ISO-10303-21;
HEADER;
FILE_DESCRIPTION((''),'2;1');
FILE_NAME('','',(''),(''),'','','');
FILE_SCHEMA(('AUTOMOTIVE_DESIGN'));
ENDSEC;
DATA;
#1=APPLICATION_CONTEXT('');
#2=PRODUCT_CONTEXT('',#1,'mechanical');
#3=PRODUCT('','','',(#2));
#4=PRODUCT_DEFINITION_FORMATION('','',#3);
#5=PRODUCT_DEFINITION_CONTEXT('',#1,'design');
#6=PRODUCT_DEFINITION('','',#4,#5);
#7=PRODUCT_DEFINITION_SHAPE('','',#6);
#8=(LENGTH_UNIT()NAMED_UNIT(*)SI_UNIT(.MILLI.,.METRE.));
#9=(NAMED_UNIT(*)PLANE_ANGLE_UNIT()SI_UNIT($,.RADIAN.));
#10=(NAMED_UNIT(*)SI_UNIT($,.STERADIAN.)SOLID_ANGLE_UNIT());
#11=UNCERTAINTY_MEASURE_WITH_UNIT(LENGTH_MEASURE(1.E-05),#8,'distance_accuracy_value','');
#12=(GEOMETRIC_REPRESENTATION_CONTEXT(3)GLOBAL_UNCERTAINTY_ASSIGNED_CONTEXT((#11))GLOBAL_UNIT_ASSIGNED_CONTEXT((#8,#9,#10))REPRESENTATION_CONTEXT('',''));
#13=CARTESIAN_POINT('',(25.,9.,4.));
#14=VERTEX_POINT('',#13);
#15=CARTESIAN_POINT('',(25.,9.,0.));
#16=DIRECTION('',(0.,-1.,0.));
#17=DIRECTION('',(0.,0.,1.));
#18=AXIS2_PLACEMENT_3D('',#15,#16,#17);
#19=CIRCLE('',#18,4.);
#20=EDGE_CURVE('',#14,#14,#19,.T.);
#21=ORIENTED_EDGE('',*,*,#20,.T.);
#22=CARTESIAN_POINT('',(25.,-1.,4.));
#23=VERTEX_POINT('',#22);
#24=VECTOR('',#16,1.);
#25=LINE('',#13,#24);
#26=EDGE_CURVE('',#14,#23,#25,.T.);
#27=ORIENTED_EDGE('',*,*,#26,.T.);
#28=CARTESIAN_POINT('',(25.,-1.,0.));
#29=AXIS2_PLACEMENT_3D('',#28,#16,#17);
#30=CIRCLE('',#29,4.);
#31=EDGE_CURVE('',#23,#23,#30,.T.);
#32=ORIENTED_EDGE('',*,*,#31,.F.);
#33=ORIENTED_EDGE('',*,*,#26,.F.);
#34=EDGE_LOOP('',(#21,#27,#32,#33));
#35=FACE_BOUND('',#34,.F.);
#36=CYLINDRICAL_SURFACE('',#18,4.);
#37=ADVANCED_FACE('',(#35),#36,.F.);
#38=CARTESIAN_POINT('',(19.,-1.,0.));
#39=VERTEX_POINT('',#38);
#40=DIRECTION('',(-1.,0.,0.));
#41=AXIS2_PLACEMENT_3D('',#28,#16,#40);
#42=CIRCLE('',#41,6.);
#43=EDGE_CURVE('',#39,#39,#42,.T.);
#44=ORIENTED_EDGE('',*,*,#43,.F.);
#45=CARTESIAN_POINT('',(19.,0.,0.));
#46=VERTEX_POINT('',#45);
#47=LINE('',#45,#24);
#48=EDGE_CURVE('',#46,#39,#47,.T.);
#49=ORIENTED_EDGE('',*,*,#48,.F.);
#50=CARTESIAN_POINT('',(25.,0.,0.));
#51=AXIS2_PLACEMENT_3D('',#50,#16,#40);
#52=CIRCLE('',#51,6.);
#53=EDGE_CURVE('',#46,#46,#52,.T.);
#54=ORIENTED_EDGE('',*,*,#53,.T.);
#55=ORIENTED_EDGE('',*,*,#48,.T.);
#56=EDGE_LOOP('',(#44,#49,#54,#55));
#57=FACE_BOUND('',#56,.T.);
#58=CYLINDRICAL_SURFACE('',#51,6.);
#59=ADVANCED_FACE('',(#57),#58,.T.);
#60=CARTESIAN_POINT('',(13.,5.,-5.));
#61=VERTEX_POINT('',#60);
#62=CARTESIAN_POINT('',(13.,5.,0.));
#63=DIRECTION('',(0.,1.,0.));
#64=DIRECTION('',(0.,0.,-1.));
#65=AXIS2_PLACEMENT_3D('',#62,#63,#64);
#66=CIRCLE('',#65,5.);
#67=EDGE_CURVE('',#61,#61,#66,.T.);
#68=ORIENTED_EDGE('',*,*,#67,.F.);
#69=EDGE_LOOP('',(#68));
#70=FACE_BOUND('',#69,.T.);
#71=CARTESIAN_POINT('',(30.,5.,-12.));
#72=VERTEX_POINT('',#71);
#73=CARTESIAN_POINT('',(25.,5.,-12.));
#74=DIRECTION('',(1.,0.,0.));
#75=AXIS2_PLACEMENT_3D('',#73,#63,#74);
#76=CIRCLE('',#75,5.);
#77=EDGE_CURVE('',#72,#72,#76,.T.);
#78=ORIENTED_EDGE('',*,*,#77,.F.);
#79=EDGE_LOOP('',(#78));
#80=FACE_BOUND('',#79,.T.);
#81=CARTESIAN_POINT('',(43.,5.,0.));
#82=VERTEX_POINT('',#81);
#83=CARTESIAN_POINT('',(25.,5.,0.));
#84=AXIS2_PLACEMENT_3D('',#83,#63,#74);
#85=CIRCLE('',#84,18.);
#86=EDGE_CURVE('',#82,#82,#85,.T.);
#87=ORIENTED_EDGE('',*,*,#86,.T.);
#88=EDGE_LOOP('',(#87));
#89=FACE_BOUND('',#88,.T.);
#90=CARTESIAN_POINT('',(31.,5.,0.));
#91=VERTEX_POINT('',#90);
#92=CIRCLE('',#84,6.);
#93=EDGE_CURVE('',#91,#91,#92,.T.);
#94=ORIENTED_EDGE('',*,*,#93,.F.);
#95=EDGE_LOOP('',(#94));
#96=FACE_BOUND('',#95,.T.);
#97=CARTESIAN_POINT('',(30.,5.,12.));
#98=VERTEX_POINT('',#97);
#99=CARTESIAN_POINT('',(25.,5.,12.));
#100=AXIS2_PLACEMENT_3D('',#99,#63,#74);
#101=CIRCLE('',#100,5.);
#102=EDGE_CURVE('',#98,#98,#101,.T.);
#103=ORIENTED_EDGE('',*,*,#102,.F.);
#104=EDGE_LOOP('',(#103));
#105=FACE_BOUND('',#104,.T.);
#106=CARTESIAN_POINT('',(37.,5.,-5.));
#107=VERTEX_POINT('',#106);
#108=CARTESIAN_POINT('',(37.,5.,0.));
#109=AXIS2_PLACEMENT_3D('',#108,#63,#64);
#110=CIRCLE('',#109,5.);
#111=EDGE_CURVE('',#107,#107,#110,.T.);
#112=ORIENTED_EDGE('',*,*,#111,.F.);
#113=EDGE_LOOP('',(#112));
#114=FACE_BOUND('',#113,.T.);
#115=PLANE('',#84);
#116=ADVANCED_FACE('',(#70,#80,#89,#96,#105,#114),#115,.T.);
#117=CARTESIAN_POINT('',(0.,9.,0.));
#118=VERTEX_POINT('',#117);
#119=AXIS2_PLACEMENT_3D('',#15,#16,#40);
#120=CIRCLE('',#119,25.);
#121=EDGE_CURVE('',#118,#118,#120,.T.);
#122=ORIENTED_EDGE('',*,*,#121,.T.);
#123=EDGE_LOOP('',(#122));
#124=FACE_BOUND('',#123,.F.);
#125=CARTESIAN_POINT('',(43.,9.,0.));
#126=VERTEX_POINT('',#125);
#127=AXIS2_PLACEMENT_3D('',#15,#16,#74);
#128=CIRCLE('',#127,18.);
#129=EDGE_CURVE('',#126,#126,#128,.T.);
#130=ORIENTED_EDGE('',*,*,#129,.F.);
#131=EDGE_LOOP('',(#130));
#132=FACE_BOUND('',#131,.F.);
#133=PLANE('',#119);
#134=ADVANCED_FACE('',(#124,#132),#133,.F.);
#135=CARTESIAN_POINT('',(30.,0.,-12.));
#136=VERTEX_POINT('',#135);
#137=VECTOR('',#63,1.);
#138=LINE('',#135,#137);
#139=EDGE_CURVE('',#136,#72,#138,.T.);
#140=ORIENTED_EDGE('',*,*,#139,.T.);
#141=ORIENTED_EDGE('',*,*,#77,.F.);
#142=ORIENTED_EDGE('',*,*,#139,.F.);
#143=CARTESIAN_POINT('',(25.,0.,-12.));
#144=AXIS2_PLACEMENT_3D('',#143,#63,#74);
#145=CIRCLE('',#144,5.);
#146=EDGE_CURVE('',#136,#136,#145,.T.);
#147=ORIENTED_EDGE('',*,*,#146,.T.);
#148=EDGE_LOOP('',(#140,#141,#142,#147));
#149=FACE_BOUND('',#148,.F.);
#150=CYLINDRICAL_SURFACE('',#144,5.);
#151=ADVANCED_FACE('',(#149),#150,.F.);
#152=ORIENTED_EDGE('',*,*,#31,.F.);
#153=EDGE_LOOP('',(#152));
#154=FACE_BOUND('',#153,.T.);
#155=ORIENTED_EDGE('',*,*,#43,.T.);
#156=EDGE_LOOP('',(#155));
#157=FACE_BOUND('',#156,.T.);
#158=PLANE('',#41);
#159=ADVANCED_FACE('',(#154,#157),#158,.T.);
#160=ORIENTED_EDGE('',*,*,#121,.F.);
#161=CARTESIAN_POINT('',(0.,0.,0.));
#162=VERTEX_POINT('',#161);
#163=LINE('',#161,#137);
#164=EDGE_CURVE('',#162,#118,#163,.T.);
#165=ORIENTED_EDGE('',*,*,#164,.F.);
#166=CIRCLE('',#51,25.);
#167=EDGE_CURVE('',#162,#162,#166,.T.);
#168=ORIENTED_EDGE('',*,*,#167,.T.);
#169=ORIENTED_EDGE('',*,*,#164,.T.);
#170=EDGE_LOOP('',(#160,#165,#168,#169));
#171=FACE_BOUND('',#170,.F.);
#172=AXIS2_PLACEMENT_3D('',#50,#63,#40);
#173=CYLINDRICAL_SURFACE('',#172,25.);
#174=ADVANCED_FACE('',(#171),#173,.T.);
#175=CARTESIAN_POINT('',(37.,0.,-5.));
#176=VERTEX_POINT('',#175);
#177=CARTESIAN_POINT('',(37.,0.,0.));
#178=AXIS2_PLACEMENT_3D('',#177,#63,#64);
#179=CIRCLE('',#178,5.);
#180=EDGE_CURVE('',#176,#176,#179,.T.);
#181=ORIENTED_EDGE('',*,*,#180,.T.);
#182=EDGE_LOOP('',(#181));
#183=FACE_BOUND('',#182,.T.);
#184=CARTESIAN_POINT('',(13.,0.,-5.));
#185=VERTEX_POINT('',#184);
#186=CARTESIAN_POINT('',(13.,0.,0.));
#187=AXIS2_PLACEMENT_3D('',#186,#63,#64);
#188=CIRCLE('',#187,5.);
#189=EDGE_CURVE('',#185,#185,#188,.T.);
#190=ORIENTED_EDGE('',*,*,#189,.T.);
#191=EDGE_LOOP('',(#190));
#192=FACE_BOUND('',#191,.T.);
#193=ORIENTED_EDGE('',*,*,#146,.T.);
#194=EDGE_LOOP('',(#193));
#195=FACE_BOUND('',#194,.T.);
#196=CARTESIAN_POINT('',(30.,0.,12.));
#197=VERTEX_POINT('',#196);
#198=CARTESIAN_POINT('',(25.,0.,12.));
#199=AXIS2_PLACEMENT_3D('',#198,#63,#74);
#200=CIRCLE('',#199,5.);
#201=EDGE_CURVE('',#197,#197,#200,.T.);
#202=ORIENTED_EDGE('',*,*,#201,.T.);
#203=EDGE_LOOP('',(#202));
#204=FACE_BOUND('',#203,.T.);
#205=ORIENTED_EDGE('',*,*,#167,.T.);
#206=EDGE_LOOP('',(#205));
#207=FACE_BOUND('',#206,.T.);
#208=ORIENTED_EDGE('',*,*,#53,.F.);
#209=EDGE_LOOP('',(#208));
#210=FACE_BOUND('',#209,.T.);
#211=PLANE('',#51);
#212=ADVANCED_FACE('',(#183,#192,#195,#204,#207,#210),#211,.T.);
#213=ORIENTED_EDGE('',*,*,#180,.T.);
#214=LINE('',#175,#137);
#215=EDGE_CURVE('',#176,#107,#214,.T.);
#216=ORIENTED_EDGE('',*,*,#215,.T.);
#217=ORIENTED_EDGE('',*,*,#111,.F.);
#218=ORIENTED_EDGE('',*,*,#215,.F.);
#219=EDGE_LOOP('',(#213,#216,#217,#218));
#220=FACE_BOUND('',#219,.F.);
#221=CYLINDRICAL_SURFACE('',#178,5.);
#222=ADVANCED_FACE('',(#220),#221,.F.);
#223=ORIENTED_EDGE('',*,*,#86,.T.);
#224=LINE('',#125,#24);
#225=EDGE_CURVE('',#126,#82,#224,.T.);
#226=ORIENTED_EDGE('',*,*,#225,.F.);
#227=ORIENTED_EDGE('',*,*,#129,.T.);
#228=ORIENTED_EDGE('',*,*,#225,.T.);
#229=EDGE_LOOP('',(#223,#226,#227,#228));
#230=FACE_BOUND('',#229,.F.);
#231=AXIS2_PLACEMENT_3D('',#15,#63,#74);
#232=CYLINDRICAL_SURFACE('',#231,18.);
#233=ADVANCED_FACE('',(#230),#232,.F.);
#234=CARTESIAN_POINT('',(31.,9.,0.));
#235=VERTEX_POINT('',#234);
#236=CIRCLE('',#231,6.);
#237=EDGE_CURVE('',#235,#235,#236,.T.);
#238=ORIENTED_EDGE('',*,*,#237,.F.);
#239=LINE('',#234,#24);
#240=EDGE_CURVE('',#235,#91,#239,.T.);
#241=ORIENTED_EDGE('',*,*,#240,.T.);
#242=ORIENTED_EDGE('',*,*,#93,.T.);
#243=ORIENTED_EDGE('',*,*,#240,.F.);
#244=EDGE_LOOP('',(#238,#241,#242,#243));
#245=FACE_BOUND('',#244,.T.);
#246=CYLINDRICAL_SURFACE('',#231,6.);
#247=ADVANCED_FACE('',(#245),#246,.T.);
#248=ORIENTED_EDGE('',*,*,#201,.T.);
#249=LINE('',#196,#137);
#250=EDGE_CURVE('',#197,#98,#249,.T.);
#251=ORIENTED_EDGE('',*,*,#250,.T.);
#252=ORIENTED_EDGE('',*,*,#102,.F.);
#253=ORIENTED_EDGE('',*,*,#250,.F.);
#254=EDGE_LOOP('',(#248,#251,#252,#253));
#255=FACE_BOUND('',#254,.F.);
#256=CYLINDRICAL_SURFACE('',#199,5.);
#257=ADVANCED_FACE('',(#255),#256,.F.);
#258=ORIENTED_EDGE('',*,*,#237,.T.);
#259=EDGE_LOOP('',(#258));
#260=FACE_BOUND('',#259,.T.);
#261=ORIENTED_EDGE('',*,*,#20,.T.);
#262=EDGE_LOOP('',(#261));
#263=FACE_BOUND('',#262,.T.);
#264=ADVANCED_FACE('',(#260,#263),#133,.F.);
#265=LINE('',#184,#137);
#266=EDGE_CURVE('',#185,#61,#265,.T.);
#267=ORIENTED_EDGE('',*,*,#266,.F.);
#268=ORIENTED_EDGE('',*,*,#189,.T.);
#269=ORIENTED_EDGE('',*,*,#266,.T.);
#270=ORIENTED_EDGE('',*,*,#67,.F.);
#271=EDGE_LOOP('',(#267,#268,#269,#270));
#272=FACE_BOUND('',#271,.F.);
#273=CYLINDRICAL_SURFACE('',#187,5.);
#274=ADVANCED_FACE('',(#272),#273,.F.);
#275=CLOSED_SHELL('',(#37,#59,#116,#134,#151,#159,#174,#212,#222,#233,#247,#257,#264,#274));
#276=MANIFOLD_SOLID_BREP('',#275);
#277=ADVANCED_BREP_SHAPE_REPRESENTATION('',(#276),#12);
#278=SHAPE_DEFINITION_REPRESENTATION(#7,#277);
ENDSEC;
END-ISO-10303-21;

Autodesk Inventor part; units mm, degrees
ref_plane "YZ Plane" through (0, 0, 0) normal (1, 0, 0) x (0, 1, 0)
ref_plane "XZ Plane" through (0, 0, 0) normal (0, 1, 0) x (-1, 0, 0)
ref_plane "XY Plane" through (0, 0, 0) normal (0, 0, 1) x (1, 0, 0)
sketch "Skizze4" plane through (0, 0, 0) normal (0, 0, 1) x (1, 0, 0)
  line L0 (25, 9) -> (25, -1)
  line L1 (25, 9) -> (7, 9)
  line L2 (12.1242, 0) -> (0, 0)
  line L3 (0, 0) -> (0, 9)
  line L4 (0, 9) -> (7, 9)
  line L5 (9.9688, 0) -> (19, 0)
  line L6 (19, 0) -> (19, -1)
  line L7 (19, -1) -> (25, -1)
  point P0 (6.0621, 0)
  dimension "d6" = 50
  dimension "d7" = 1
  dimension "d8" = 10
  dimension "d11" = 12
revolve "Umdrehung1" add sketch "Skizze4" angle 360 about axis through (25, 9, 0) along (0, -1, 0)
sketch "Skizze5" plane through (25, 9, 0) normal (0, 1, 0) x (1, 0, 0)
  circle A0 centre (0, 0) radius 6 projected
  circle A1 centre (0, 0) radius 18
  point P0 (-25, 0)
  dimension "d20" = 36
extrude "Extrusion3" cut sketch "Skizze5" against normal blind 4
sketch "Skizze6" plane through (25, 9, 0) normal (0, 1, 0) x (1, 0, 0)
  circle A0 centre (0, 0) radius 6 projected
  point P0 (-25, 0)
hole "Bohrung1" at (25, 9, 0) direction (0, -1, 0) diameter 8 end through all
sketch "Skizze7" plane through (25, 0, 0) normal (0, -1, 0) x (1, 0, 0)
  circle A0 centre (0, 0) radius 4 projected
  line L0 (0, 2.1422) -> (0, -2.7169) construction
  point P0 (-25, 0)
  point P1 (12, 0)
  point P2 (-12, 0)
  dimension "d31" = 24
hole "Bohrung2" at (37, 0, 0) at (13, 0, 0) direction (0, 1, 0) diameter 10 end through all
pattern_circular "Runde Anordnung1" count 4 over 360 about axis through (25, 4.5, 0) along (0, -1, 0) of "Bohrung2"
properties part number "Schwungscheibe" material "Stahl, galvanisiert"
